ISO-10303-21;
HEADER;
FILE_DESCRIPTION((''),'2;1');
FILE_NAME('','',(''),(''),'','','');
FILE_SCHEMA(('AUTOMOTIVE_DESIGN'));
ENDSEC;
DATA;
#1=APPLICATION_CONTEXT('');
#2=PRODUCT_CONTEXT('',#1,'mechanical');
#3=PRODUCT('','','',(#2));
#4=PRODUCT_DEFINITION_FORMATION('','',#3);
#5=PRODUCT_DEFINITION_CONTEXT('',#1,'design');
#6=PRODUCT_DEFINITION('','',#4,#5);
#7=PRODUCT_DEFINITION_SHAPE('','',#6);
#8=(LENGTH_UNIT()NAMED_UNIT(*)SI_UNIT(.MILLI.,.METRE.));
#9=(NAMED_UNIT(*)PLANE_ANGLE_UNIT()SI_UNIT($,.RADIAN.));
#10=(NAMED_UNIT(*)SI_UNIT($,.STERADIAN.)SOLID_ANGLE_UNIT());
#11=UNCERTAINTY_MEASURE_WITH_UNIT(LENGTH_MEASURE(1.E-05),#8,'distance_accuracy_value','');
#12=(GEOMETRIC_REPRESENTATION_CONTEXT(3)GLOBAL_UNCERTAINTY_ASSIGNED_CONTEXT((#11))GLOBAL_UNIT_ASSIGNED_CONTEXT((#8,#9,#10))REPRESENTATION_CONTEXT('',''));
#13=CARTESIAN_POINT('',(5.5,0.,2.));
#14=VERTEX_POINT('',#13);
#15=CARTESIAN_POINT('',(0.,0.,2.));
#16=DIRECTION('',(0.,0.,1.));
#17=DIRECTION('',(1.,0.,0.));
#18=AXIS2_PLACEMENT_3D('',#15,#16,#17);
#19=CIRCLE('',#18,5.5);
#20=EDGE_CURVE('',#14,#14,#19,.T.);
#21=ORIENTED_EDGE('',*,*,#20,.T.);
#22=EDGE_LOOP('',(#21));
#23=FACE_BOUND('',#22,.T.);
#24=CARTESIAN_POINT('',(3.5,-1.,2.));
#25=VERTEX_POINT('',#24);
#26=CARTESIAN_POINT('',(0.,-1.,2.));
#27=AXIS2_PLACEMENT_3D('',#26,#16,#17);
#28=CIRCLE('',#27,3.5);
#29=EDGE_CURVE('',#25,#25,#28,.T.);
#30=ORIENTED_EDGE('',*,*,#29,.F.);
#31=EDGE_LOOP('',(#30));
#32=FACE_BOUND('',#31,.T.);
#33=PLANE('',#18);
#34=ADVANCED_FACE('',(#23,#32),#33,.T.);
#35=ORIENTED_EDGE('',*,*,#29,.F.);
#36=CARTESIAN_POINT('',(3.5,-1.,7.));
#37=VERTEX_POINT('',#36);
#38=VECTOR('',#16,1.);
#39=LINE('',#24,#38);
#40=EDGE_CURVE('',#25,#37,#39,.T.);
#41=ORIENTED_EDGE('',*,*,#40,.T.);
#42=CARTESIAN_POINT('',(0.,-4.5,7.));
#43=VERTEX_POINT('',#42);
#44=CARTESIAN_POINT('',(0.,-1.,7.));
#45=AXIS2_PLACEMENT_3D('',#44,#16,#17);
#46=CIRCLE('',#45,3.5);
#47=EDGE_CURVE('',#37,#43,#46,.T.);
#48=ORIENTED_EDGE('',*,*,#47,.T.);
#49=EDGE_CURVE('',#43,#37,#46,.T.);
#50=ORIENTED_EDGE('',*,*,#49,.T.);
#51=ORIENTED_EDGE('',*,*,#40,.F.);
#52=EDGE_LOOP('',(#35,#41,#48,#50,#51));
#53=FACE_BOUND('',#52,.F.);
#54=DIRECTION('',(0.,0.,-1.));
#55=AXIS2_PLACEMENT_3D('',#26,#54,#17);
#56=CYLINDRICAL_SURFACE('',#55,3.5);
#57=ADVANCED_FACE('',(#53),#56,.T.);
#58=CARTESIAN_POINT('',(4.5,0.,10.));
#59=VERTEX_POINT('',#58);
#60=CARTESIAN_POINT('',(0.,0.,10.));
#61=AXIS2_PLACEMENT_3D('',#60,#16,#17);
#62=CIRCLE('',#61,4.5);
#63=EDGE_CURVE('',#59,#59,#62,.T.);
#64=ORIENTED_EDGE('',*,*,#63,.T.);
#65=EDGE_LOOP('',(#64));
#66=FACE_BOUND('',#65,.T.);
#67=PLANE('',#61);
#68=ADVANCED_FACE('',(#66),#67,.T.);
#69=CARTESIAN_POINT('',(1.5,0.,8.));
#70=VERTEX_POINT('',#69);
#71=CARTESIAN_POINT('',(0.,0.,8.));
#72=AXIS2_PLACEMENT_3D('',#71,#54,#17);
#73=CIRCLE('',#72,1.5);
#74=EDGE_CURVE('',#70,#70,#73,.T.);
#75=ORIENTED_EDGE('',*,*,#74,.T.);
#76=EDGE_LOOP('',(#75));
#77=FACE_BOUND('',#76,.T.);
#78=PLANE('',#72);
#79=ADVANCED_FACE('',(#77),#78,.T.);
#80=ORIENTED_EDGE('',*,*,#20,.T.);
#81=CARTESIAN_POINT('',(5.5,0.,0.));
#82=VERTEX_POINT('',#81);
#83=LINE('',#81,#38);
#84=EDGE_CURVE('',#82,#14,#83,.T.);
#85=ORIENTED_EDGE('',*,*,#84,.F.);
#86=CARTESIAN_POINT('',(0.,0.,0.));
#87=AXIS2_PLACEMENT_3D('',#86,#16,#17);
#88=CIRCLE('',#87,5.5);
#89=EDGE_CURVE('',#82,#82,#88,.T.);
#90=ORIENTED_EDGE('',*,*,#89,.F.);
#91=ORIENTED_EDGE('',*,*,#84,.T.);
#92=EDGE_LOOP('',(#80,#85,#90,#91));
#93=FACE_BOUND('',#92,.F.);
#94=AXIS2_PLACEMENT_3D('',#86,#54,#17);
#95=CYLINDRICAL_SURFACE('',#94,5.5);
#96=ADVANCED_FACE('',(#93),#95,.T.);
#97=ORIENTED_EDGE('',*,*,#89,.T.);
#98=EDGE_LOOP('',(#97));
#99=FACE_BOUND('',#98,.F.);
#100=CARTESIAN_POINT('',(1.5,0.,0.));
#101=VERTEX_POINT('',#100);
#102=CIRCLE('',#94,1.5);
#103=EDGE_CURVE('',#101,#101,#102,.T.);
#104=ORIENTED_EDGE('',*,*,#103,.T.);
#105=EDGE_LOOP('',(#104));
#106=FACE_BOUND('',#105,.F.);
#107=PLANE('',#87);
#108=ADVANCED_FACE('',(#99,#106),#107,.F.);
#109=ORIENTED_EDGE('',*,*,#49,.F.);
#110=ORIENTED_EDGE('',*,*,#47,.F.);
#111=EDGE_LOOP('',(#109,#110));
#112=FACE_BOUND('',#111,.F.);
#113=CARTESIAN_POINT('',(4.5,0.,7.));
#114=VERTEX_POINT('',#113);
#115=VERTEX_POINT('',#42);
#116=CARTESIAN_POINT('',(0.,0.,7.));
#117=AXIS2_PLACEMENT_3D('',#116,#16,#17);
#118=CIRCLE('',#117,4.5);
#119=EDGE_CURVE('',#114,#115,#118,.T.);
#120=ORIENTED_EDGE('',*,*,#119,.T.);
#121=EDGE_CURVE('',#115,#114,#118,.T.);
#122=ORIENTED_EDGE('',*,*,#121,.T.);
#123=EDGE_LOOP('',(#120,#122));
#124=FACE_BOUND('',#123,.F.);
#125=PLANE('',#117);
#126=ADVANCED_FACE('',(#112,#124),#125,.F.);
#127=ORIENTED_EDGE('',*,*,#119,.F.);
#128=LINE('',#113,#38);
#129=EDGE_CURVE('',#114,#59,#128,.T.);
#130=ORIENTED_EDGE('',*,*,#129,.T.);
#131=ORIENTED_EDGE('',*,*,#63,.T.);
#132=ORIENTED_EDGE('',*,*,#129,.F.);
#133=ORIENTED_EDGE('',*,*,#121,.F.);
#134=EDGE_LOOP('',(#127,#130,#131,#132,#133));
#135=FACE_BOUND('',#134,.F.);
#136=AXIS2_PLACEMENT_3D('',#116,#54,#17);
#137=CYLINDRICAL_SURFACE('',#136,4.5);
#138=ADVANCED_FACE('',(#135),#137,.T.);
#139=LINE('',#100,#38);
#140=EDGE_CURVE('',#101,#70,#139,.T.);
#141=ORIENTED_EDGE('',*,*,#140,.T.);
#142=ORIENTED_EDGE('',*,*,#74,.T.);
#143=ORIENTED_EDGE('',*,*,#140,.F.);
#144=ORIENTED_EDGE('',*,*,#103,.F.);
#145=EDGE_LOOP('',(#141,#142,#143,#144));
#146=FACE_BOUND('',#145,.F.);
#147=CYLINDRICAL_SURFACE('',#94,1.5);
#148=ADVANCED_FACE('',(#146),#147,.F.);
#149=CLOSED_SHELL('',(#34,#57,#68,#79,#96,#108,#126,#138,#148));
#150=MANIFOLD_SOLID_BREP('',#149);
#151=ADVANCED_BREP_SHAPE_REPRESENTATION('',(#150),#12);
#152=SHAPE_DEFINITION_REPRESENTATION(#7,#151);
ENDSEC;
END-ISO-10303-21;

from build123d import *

# Parameters (mm, degrees)
F0_R     = 5.5
F1_DEPTH = 2
F2_R     = 3.5
F3_DEPTH = 5
F4_R     = 4.5
F5_DEPTH = 3
F6_R     = 1.5
F7_DEPTH = 8


with BuildPart() as f1:
    # F0 (on Top) → F1 (new body)
    with BuildSketch(Plane.XY):
        Circle(F0_R)
    extrude(amount=F1_DEPTH)

    # F2 (on face) → F3 (join)
    with BuildSketch(Plane.XY.offset(2)):
        with Locations((0, -1)):
            Circle(F2_R)
    extrude(amount=F3_DEPTH)

    # F4 (on face) → F5 (join)
    with BuildSketch(Plane.XY.offset(7)):
        Circle(F4_R)
    extrude(amount=F5_DEPTH)

    # F6 (on face) → F7 (cut)
    with BuildSketch(Plane(origin=(0, 0, 0), x_dir=(1, 0, 0), z_dir=(0, 0, -1))):
        Circle(F6_R)
    extrude(amount=-F7_DEPTH, mode=Mode.SUBTRACT)


solid = f1.part
